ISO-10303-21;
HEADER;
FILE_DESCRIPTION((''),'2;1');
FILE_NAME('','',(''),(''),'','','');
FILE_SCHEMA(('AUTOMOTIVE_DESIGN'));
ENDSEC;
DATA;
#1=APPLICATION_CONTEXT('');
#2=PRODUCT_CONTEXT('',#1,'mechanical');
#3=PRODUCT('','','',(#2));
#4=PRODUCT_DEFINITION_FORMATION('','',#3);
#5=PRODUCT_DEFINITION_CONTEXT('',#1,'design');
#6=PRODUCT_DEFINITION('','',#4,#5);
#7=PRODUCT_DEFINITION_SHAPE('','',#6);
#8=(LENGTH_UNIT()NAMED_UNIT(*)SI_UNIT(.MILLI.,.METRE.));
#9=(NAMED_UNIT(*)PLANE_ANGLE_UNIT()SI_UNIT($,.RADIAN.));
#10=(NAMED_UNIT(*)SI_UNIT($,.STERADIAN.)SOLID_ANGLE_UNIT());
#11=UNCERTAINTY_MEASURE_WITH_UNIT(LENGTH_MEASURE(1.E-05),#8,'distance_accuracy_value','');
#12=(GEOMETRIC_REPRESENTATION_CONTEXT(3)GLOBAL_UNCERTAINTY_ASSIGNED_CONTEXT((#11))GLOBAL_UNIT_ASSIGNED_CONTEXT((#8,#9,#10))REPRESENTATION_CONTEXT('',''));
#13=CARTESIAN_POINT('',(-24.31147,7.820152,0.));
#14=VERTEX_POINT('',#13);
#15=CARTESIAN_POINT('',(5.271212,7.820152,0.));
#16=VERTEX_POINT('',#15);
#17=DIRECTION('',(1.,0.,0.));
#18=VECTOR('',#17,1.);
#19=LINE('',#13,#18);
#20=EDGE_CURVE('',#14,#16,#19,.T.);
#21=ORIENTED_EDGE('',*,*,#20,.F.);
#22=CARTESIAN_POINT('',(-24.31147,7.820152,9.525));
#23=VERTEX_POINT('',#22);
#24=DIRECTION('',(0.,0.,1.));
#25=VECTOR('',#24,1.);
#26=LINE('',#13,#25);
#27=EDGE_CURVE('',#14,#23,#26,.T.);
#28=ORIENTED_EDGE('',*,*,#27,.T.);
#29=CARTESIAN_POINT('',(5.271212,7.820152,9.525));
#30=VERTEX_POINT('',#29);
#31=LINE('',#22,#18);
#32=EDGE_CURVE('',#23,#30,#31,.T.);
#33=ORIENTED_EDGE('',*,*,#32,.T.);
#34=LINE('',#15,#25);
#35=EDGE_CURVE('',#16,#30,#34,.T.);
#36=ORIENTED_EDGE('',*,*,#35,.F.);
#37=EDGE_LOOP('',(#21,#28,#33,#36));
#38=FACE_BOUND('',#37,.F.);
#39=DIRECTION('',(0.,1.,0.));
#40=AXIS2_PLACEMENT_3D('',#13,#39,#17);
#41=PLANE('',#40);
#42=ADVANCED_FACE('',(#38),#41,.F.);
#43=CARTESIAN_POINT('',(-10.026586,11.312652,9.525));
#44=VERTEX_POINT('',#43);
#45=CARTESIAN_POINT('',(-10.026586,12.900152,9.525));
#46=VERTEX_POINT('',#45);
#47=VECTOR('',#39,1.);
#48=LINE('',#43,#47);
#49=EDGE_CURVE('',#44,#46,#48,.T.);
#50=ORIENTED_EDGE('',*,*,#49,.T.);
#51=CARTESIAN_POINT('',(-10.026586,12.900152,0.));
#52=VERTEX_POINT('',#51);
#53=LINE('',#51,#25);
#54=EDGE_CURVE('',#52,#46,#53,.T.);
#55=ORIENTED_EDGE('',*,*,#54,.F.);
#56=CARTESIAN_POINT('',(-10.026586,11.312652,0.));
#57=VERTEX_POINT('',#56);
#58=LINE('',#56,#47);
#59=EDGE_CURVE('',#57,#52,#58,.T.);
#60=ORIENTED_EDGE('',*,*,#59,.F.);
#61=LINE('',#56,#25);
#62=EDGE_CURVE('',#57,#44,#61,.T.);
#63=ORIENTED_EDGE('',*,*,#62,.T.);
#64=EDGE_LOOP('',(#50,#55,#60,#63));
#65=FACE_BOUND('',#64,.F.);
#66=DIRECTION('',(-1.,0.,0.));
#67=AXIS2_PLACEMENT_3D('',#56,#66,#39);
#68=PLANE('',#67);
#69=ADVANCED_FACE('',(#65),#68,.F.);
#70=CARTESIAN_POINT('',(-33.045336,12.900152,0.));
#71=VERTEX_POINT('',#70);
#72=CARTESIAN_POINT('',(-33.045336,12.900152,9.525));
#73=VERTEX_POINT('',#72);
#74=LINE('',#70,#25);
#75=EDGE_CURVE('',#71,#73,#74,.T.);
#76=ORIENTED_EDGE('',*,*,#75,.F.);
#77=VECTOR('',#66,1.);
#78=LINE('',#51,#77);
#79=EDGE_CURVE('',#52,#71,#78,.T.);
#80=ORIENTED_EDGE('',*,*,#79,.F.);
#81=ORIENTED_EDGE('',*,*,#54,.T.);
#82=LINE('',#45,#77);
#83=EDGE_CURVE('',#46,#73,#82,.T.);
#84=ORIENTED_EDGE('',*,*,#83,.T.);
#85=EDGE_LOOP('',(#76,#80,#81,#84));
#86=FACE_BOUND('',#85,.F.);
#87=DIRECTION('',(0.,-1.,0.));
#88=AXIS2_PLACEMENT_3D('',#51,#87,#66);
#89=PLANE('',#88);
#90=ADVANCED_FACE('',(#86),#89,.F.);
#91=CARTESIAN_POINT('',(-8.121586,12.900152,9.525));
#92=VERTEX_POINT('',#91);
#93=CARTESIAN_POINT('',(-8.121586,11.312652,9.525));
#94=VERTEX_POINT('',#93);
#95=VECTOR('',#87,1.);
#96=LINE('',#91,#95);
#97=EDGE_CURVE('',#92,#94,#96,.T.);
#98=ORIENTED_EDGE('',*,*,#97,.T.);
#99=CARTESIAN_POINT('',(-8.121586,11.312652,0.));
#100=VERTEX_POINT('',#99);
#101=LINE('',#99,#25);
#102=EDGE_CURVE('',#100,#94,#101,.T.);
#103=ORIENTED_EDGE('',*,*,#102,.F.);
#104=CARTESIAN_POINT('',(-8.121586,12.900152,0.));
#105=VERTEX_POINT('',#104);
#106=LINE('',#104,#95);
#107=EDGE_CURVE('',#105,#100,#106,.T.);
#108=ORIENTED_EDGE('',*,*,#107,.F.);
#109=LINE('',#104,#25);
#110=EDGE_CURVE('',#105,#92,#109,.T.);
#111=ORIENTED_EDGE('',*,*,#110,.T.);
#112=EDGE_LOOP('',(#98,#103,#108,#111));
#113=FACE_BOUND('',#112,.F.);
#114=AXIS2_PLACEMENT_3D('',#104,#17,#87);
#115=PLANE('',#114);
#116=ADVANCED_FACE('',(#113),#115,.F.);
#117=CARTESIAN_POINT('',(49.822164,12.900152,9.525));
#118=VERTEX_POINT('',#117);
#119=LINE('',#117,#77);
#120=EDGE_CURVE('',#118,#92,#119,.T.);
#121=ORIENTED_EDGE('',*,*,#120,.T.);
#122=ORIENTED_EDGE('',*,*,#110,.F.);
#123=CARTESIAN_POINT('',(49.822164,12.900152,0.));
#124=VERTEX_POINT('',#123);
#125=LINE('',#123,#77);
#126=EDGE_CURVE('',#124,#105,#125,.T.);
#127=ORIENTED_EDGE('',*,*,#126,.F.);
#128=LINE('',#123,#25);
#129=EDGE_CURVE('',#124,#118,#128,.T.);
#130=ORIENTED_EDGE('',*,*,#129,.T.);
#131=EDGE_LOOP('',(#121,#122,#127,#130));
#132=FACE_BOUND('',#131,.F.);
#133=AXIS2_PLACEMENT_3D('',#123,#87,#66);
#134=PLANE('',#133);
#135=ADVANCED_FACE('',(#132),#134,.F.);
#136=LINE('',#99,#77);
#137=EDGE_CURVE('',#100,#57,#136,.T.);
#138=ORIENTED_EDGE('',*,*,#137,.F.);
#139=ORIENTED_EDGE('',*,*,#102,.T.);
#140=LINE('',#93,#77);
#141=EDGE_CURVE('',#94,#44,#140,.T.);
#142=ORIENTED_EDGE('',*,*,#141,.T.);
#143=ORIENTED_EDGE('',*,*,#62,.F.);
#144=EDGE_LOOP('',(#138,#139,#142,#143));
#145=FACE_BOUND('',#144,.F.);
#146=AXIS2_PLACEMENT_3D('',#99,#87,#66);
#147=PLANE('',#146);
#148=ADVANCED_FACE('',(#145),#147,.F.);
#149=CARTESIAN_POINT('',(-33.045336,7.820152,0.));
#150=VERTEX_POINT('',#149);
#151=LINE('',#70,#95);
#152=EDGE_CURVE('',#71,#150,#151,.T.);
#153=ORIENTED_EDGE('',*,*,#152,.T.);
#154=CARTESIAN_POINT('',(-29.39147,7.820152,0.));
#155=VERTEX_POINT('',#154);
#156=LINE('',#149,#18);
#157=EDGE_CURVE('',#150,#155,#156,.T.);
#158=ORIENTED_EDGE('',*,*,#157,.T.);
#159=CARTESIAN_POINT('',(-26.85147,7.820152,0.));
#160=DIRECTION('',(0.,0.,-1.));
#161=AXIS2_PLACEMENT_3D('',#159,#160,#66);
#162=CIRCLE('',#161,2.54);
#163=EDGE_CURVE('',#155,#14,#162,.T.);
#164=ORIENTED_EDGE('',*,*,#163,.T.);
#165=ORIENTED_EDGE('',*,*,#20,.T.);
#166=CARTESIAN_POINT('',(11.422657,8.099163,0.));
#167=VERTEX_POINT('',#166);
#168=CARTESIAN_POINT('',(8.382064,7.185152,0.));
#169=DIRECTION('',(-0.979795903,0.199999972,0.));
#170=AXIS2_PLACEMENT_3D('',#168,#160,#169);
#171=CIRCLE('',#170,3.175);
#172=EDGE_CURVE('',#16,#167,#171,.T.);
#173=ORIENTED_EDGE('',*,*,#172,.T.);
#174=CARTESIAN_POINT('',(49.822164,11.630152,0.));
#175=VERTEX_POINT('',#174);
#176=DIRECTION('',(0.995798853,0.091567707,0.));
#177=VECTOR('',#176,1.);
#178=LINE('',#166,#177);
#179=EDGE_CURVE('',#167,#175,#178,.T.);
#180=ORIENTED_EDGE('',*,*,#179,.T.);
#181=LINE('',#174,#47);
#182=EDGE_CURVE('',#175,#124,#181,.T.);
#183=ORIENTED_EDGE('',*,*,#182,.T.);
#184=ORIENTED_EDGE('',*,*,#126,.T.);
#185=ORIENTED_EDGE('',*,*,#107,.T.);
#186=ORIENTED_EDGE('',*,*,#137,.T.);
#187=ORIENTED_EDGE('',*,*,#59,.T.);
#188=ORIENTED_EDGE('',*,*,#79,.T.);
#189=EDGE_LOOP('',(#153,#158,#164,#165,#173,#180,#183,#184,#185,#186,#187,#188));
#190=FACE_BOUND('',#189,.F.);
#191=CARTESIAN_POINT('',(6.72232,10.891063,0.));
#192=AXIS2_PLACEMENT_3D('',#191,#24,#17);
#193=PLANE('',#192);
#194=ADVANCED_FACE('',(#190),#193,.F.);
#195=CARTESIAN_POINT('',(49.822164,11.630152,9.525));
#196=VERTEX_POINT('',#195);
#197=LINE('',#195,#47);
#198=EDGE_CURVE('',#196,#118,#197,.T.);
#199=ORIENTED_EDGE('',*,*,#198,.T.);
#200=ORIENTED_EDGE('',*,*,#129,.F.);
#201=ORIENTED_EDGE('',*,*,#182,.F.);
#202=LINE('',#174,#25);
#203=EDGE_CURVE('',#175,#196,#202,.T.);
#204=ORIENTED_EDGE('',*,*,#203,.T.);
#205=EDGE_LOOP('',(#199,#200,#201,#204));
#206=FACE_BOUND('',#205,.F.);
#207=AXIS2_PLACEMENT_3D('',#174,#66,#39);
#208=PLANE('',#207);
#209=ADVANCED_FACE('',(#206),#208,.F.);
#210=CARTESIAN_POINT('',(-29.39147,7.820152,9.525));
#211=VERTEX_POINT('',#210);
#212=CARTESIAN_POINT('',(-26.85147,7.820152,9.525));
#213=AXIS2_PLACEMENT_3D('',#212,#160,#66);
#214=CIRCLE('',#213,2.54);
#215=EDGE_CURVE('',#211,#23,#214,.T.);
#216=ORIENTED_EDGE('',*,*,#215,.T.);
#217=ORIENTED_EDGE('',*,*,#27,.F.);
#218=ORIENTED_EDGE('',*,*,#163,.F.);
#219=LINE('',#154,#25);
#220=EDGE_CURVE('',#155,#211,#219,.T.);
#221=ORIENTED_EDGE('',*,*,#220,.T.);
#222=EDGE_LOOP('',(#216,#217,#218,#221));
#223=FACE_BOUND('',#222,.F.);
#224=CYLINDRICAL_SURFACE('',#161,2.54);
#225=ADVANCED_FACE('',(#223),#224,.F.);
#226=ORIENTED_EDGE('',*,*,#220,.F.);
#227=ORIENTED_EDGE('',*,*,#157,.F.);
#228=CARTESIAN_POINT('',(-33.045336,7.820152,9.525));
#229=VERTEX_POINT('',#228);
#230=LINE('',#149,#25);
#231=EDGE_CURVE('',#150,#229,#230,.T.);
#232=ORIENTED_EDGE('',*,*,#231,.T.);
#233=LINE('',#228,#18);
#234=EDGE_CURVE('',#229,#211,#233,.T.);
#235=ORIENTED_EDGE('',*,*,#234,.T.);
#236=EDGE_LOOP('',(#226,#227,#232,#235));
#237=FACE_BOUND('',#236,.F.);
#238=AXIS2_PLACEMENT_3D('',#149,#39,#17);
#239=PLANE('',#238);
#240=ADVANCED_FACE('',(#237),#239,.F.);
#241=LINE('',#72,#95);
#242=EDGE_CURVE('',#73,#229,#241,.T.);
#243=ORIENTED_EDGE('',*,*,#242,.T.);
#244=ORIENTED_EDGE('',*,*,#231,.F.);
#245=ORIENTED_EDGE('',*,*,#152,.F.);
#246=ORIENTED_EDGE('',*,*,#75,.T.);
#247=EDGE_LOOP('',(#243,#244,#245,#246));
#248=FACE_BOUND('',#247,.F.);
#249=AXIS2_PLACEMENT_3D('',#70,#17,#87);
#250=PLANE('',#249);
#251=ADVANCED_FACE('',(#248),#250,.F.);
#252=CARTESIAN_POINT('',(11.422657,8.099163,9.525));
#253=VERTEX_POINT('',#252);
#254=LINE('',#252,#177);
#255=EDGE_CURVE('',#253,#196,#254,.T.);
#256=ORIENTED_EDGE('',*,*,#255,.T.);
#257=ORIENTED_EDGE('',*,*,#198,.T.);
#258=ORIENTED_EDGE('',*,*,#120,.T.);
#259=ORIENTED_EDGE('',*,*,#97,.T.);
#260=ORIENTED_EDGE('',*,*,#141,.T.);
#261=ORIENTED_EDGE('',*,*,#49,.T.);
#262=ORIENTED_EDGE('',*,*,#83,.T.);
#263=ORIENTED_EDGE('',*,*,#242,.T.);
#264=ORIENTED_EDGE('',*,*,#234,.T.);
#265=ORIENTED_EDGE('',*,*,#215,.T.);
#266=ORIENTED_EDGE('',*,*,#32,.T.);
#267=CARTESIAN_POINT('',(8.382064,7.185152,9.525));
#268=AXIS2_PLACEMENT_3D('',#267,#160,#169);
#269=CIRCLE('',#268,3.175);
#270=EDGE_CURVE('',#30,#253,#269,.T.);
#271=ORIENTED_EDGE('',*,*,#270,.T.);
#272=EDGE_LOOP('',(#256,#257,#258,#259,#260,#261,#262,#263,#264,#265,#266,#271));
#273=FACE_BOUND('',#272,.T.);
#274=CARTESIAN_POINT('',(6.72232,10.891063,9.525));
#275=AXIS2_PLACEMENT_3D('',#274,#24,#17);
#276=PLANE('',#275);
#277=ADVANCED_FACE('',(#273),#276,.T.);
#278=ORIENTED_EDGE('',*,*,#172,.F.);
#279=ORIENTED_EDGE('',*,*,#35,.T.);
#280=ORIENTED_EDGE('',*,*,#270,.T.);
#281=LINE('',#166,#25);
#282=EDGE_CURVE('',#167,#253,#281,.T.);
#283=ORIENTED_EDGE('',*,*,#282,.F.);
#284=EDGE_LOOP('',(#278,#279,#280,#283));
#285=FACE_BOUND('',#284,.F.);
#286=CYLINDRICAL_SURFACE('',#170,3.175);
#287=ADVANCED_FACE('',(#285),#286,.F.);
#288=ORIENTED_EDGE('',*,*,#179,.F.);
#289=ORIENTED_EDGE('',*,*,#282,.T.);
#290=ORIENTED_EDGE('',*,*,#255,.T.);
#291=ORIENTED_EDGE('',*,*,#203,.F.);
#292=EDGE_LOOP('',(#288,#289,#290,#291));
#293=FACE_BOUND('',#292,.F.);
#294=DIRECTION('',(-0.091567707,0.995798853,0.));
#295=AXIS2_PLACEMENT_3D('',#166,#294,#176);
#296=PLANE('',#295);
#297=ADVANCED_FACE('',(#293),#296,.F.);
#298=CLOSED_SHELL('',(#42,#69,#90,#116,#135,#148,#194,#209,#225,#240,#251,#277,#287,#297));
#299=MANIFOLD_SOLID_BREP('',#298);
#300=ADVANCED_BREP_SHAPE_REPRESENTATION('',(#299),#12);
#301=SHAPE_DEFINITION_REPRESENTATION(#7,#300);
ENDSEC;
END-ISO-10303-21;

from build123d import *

# Parameters (mm, degrees)
F1_DEPTH = 9.525


with BuildPart() as f1:
    # F0 (on Top) → F1 (new body)
    with BuildSketch(Plane.XY):
        with BuildLine():
            Line((-10.026586, 12.900152), (-33.045336, 12.900152))
            Line((-33.045336, 12.900152), (-33.045336, 7.820152))
            Line((-33.045336, 7.820152), (-29.39147, 7.820152))
            ThreePointArc((-29.39147, 7.820152), (-26.85147, 10.360152), (-24.31147, 7.820152))
            Line((-24.31147, 7.820152), (5.271212, 7.820152))
            ThreePointArc((5.271212, 7.820152), (8.238203, 10.356891), (11.422657, 8.099163))
            Line((11.422657, 8.099163), (49.822164, 11.630152))
            Line((49.822164, 11.630152), (49.822164, 12.900152))
            Line((49.822164, 12.900152), (-8.121586, 12.900152))
            Line((-8.121586, 12.900152), (-8.121586, 11.312652))
            Line((-8.121586, 11.312652), (-10.026586, 11.312652))
            Line((-10.026586, 11.312652), (-10.026586, 12.900152))
        make_face()
    extrude(amount=F1_DEPTH)


solid = f1.part
